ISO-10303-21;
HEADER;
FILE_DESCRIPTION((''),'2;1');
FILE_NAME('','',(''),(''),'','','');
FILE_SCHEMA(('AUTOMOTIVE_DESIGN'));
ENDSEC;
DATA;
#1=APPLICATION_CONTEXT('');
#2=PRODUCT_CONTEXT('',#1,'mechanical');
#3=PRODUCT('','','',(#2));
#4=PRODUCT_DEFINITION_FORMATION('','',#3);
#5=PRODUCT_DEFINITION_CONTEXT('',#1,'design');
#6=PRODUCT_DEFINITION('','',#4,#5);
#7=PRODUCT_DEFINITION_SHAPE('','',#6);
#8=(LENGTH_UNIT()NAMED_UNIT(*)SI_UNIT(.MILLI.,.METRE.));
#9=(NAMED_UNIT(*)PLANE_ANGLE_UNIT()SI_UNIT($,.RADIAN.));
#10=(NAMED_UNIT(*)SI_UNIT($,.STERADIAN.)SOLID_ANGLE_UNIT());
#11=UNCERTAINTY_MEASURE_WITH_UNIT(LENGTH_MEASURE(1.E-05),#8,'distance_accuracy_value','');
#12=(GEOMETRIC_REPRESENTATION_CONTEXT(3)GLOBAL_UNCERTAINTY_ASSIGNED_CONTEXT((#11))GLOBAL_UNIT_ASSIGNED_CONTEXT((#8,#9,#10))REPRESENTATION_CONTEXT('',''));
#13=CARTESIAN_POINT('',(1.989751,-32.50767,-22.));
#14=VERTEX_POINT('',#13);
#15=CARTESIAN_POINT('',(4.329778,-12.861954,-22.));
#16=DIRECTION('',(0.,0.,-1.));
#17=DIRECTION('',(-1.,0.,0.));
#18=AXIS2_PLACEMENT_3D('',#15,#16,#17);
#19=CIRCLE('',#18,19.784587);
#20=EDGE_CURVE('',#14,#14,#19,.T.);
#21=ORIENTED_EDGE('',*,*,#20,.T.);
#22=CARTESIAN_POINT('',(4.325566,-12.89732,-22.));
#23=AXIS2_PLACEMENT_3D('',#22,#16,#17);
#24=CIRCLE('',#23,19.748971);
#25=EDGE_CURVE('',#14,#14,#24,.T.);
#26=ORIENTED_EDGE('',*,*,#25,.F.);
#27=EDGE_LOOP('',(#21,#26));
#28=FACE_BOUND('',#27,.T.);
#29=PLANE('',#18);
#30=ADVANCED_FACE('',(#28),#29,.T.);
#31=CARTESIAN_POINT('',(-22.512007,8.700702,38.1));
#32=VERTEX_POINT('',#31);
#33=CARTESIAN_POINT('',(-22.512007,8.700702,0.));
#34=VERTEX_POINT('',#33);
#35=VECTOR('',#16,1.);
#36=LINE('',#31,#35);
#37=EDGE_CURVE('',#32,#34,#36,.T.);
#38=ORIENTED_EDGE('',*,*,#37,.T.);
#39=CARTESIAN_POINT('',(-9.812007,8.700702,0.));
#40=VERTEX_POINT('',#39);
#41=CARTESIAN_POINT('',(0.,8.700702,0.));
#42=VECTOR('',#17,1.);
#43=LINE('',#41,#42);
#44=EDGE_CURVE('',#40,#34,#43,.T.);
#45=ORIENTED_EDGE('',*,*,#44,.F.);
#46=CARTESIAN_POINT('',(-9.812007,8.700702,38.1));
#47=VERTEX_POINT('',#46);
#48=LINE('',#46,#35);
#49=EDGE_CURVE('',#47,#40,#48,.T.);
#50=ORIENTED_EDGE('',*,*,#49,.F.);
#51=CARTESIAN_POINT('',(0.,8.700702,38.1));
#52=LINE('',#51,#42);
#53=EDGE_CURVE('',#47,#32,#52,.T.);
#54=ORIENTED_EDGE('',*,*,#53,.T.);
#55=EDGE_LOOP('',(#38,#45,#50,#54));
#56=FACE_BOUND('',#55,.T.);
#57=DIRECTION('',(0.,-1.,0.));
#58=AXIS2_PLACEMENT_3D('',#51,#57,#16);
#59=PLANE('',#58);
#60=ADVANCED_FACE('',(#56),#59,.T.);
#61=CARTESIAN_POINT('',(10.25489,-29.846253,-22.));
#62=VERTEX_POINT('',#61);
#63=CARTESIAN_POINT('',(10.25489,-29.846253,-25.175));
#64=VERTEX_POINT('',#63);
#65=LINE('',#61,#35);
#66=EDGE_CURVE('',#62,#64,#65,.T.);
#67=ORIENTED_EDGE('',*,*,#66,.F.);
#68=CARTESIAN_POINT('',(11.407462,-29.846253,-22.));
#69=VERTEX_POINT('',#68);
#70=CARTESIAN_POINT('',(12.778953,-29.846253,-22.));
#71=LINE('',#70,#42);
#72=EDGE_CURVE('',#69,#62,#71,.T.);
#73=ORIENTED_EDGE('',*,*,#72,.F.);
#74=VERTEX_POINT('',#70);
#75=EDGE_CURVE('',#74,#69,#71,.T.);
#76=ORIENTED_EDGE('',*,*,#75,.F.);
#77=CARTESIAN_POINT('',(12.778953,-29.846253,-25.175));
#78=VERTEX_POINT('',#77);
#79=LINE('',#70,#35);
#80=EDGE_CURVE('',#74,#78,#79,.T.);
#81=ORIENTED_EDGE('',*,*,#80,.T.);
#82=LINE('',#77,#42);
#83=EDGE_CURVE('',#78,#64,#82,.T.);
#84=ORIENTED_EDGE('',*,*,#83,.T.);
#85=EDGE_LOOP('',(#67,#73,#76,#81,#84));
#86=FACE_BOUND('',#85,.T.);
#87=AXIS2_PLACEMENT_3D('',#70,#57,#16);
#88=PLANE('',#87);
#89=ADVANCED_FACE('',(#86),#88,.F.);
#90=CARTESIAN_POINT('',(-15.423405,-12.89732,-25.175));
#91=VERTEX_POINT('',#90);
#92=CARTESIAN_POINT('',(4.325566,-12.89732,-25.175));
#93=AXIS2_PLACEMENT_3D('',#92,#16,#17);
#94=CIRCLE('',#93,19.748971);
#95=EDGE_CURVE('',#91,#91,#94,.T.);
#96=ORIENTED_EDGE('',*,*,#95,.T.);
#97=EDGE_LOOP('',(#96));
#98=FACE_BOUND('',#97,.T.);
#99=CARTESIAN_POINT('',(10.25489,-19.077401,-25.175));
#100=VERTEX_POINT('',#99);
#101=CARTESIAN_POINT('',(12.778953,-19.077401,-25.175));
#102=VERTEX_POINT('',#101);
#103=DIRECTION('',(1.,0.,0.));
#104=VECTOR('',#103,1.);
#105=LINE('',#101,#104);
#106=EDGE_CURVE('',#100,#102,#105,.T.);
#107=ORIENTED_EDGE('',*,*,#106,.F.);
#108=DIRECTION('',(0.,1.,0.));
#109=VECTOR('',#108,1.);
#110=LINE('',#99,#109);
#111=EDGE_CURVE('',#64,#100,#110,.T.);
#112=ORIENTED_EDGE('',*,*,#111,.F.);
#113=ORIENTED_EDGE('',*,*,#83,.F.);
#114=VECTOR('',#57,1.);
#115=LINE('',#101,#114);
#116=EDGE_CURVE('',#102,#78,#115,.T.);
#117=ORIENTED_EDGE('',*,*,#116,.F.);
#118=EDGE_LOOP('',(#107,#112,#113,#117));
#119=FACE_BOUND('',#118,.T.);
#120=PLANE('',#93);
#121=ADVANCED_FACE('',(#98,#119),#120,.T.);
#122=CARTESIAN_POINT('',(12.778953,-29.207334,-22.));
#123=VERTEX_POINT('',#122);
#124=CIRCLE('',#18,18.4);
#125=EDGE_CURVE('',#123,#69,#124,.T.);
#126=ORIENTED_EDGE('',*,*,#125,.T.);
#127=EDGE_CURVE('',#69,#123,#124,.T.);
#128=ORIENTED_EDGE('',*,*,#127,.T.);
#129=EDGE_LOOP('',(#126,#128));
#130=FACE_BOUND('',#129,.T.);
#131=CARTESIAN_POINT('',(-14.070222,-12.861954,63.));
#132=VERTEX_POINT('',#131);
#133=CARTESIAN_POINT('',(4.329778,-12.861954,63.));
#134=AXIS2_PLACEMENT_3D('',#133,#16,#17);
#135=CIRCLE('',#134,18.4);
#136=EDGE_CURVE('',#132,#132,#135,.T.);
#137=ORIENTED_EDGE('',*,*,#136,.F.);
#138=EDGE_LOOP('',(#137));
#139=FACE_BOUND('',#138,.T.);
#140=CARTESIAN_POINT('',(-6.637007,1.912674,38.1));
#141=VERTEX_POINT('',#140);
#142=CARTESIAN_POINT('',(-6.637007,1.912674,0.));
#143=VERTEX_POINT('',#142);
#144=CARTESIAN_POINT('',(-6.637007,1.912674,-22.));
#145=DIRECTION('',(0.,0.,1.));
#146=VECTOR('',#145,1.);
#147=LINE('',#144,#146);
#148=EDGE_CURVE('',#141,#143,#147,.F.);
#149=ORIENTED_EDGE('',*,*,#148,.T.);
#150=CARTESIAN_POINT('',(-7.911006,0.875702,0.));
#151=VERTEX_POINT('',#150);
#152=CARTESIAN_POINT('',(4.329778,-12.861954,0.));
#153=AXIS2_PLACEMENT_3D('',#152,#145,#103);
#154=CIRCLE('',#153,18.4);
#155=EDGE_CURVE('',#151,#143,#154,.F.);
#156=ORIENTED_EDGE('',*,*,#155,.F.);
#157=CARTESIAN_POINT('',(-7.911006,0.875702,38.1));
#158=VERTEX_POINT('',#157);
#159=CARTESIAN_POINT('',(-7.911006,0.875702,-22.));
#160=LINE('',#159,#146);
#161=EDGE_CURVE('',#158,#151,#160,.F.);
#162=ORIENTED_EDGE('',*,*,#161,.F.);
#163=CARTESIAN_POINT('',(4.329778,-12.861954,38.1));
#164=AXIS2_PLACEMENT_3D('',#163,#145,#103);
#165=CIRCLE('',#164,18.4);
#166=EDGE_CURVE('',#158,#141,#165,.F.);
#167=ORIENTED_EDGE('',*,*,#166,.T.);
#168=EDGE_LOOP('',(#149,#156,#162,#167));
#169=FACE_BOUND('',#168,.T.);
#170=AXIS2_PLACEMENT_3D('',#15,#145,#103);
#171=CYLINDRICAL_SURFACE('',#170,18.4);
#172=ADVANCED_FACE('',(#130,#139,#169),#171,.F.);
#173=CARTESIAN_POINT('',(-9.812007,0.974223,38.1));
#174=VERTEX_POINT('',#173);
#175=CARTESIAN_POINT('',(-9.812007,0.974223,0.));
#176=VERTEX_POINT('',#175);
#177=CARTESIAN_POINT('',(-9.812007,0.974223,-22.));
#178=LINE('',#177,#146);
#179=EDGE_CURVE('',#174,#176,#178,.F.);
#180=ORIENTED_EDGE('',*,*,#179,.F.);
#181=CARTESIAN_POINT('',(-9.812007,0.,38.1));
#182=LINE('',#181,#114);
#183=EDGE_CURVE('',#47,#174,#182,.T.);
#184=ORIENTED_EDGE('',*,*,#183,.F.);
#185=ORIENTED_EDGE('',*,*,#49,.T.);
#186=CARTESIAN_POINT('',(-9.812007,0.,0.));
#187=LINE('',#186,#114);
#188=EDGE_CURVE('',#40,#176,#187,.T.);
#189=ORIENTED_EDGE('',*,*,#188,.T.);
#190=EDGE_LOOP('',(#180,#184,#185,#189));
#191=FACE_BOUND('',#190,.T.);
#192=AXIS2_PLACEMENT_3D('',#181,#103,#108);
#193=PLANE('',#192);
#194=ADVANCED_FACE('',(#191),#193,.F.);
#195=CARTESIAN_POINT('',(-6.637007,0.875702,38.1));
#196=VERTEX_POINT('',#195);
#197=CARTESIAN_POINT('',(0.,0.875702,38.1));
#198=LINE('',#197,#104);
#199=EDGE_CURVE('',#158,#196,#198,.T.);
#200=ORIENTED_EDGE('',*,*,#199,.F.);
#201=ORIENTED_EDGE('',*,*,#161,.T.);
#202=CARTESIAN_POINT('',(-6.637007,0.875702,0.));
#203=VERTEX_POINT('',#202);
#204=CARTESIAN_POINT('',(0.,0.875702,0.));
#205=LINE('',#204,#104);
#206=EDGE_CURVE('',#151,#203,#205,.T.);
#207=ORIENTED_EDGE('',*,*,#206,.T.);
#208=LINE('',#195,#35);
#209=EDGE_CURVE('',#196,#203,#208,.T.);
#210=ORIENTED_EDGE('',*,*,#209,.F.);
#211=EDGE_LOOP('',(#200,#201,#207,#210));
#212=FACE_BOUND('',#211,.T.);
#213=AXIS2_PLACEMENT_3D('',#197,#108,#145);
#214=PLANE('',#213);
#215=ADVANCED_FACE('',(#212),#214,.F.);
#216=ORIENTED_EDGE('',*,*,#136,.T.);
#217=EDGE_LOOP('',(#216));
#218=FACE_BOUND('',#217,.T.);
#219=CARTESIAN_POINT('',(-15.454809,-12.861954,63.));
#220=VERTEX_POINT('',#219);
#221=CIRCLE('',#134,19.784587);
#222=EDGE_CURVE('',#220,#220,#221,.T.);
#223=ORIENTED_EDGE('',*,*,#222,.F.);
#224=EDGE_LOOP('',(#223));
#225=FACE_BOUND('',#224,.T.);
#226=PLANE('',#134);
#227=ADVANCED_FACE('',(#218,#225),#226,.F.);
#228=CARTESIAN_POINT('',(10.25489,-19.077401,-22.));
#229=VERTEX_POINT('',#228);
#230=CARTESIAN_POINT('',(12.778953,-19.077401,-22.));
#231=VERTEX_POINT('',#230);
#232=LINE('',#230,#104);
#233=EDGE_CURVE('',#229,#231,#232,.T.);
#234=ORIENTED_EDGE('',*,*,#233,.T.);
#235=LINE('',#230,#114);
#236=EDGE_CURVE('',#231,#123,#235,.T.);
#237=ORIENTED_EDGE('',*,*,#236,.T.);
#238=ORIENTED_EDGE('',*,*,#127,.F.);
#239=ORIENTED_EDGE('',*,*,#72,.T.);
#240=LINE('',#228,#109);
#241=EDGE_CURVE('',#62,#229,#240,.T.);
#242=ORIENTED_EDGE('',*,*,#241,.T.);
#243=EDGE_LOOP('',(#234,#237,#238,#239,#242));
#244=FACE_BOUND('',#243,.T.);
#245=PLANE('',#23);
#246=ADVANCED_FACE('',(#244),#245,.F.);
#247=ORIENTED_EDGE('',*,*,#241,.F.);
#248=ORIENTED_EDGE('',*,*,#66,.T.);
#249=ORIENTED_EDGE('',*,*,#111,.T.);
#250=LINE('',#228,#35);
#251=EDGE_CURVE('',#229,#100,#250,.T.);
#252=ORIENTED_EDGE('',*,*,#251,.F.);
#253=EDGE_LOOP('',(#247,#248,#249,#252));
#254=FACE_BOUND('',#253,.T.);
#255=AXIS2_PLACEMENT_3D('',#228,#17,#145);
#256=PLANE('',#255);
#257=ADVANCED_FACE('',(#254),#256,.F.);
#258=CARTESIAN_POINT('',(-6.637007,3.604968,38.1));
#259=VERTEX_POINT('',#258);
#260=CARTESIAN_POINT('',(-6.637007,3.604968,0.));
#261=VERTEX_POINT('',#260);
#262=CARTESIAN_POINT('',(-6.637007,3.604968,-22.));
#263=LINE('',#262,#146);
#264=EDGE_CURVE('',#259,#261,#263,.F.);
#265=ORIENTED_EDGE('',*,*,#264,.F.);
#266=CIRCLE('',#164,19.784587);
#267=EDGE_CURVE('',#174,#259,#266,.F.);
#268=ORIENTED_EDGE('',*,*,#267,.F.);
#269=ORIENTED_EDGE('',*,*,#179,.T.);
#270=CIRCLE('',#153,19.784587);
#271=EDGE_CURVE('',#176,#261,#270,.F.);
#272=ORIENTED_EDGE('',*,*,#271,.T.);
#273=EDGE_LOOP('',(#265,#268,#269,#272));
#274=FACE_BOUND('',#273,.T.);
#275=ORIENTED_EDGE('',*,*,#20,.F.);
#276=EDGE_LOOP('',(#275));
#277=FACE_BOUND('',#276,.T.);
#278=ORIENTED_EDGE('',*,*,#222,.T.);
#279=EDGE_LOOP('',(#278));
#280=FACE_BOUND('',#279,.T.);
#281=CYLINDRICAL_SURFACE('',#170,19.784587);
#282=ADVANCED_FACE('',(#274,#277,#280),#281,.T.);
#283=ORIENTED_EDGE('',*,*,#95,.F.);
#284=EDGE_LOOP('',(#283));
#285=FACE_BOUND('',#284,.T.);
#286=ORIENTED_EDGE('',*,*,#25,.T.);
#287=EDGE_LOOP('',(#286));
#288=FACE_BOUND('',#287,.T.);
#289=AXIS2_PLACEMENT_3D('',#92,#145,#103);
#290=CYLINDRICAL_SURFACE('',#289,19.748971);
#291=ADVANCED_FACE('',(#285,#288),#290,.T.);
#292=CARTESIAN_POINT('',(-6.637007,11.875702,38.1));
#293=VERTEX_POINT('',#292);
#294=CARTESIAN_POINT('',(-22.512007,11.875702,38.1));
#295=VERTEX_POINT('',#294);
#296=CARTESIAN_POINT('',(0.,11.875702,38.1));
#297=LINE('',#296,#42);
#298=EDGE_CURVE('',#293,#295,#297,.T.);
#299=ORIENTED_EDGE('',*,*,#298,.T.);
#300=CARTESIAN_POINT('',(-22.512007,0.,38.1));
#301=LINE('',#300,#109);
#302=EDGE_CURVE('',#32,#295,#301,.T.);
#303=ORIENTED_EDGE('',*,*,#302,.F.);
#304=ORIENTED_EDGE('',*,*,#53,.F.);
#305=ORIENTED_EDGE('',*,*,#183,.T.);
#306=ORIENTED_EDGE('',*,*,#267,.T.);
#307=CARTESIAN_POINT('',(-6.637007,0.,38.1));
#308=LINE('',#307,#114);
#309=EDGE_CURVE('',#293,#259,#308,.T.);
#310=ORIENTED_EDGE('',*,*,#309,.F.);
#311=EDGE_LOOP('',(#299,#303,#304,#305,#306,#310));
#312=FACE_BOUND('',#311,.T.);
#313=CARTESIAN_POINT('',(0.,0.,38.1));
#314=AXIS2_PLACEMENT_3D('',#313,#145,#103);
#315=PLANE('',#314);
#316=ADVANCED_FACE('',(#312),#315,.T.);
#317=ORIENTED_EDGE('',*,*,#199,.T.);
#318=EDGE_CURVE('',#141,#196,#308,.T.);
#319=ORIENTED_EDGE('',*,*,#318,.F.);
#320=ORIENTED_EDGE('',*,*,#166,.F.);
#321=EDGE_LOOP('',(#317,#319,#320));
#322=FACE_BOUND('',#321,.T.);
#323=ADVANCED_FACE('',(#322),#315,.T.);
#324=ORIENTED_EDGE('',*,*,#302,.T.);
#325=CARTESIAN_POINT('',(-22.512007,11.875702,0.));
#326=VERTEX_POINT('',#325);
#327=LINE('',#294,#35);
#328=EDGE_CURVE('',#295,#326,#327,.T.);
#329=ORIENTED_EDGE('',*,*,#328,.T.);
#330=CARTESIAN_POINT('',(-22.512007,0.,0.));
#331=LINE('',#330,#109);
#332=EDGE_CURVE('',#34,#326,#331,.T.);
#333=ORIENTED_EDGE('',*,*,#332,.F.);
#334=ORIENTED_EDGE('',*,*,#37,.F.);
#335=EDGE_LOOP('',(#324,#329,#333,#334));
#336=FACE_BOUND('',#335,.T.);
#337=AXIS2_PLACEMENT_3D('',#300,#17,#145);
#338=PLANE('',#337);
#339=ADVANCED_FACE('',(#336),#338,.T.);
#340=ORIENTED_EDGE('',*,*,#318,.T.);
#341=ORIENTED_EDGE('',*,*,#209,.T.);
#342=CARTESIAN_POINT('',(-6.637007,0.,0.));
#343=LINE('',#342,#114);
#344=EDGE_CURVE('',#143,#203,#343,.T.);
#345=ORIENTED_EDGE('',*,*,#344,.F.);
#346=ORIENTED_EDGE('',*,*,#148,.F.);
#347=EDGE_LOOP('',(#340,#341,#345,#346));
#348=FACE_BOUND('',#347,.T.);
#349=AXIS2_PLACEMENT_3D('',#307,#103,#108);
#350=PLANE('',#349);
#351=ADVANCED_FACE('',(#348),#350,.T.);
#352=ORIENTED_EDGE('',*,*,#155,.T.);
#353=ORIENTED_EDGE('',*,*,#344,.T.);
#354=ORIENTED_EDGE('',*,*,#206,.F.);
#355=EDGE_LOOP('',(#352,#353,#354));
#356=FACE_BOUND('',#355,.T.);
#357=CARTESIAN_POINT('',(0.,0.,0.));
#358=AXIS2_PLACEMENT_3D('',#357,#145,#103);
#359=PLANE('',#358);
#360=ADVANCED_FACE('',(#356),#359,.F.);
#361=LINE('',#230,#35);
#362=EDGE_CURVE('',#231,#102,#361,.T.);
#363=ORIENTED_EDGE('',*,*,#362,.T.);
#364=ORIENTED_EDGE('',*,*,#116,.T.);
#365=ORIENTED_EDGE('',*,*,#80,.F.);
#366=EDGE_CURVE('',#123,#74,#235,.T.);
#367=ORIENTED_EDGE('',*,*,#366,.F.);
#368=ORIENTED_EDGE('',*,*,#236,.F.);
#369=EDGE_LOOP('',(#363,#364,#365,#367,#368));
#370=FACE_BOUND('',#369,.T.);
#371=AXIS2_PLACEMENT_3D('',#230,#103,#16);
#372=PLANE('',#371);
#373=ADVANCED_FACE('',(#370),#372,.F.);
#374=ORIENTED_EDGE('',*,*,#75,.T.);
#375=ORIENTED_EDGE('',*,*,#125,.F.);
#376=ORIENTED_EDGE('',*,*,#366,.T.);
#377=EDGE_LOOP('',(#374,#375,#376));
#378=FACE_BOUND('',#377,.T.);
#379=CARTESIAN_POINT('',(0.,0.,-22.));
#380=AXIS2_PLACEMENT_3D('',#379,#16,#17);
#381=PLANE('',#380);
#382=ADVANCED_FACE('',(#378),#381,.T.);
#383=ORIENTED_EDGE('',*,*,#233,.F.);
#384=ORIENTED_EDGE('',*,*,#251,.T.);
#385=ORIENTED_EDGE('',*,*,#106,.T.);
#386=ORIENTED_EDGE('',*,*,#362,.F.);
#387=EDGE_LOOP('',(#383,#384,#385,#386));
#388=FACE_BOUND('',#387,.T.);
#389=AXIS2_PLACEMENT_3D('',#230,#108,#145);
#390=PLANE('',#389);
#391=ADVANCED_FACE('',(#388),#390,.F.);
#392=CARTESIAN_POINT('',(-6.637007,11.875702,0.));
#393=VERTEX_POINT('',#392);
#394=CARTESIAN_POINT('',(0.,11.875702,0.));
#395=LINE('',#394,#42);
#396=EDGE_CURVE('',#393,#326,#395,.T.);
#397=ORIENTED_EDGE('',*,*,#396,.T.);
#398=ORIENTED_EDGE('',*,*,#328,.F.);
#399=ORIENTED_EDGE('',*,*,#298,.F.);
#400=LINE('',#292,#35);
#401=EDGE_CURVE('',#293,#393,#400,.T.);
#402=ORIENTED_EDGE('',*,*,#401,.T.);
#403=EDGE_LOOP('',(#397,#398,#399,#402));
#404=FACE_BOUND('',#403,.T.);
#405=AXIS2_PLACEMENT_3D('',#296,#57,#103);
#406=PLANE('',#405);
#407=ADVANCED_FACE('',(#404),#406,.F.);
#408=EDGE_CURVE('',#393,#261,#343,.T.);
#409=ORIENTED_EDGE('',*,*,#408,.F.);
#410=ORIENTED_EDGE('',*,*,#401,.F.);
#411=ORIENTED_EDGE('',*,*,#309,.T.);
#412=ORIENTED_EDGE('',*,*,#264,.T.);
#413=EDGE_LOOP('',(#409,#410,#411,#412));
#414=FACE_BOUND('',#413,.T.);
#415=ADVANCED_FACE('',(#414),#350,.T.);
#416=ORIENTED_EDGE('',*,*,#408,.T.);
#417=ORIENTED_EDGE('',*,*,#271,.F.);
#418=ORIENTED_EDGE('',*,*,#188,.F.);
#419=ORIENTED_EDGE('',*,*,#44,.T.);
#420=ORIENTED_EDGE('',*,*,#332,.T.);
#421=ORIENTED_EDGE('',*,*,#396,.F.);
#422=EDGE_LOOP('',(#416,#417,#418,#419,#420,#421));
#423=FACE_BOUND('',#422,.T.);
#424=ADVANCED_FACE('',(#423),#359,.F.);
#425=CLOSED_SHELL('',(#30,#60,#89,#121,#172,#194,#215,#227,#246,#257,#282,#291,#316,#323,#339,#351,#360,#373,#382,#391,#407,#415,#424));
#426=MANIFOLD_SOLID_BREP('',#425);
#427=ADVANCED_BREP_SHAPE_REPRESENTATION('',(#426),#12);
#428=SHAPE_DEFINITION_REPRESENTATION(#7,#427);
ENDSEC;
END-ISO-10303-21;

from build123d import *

# Parameters (mm, degrees)
SKETCH1_W                = 12.7
SKETCH1_H                = 3.175
SKETCH1_W_2              = 3.175
SKETCH1_H_2              = 11
BOSS_EXTRUDE1_DEPTH      = 38.1
SKETCH2_R                = 19.784587186
SKETCH2_R_2              = 18.4
BOSS_EXTRUDE2_DEPTH      = 22
BOSS_EXTRUDE2_DEPTH_BACK = 63
SKETCH3_R                = 19.748971086
BOSS_EXTRUDE3_DEPTH      = 3.175
SKETCH4_W                = 2.524062781
SKETCH4_H                = 10.768852164
CUT_EXTRUDE1_DEPTH       = 3.175


with BuildPart() as part:
    # Sketch1 → Boss-Extrude1 (new body)
    with BuildSketch(Plane.XY):
        with Locations((-16.162006615, 10.28820212)):
            Rectangle(SKETCH1_W, SKETCH1_H)
        with Locations((-8.224506615, 6.37570212)):
            Rectangle(SKETCH1_W_2, SKETCH1_H_2)
    extrude(amount=BOSS_EXTRUDE1_DEPTH)

    # Sketch2 → Boss-Extrude2 (add, two sides)
    with BuildSketch(Plane(origin=(0, 0, 0), x_dir=(-1, 0, 0), z_dir=(0, 0, -1))) as boss_extrude2_sk:
        with Locations((-4.329778131, -12.861954284)):
            Circle(SKETCH2_R)
        with Locations((-4.329778131, -12.861954284)):
            Circle(SKETCH2_R_2, mode=Mode.SUBTRACT)
    extrude(amount=BOSS_EXTRUDE2_DEPTH)
    extrude(boss_extrude2_sk.sketch, amount=-BOSS_EXTRUDE2_DEPTH_BACK)

    # Sketch3 → Boss-Extrude3 (add)
    with BuildSketch(Plane(origin=(0, 0, -22), x_dir=(-1, 0, 0), z_dir=(0, 0, -1))):
        with Locations((-4.325565627, -12.897320389)):
            Circle(SKETCH3_R)
    extrude(amount=BOSS_EXTRUDE3_DEPTH)

    # Sketch4 → Cut-Extrude1 (cut)
    with BuildSketch(Plane(origin=(0, 0, -25.175), x_dir=(-1, 0, 0), z_dir=(0, 0, -1))):
        with Locations((-11.516921536, -24.461826694)):
            Rectangle(SKETCH4_W, SKETCH4_H)
    extrude(amount=-CUT_EXTRUDE1_DEPTH, mode=Mode.SUBTRACT)


solid = part.part
